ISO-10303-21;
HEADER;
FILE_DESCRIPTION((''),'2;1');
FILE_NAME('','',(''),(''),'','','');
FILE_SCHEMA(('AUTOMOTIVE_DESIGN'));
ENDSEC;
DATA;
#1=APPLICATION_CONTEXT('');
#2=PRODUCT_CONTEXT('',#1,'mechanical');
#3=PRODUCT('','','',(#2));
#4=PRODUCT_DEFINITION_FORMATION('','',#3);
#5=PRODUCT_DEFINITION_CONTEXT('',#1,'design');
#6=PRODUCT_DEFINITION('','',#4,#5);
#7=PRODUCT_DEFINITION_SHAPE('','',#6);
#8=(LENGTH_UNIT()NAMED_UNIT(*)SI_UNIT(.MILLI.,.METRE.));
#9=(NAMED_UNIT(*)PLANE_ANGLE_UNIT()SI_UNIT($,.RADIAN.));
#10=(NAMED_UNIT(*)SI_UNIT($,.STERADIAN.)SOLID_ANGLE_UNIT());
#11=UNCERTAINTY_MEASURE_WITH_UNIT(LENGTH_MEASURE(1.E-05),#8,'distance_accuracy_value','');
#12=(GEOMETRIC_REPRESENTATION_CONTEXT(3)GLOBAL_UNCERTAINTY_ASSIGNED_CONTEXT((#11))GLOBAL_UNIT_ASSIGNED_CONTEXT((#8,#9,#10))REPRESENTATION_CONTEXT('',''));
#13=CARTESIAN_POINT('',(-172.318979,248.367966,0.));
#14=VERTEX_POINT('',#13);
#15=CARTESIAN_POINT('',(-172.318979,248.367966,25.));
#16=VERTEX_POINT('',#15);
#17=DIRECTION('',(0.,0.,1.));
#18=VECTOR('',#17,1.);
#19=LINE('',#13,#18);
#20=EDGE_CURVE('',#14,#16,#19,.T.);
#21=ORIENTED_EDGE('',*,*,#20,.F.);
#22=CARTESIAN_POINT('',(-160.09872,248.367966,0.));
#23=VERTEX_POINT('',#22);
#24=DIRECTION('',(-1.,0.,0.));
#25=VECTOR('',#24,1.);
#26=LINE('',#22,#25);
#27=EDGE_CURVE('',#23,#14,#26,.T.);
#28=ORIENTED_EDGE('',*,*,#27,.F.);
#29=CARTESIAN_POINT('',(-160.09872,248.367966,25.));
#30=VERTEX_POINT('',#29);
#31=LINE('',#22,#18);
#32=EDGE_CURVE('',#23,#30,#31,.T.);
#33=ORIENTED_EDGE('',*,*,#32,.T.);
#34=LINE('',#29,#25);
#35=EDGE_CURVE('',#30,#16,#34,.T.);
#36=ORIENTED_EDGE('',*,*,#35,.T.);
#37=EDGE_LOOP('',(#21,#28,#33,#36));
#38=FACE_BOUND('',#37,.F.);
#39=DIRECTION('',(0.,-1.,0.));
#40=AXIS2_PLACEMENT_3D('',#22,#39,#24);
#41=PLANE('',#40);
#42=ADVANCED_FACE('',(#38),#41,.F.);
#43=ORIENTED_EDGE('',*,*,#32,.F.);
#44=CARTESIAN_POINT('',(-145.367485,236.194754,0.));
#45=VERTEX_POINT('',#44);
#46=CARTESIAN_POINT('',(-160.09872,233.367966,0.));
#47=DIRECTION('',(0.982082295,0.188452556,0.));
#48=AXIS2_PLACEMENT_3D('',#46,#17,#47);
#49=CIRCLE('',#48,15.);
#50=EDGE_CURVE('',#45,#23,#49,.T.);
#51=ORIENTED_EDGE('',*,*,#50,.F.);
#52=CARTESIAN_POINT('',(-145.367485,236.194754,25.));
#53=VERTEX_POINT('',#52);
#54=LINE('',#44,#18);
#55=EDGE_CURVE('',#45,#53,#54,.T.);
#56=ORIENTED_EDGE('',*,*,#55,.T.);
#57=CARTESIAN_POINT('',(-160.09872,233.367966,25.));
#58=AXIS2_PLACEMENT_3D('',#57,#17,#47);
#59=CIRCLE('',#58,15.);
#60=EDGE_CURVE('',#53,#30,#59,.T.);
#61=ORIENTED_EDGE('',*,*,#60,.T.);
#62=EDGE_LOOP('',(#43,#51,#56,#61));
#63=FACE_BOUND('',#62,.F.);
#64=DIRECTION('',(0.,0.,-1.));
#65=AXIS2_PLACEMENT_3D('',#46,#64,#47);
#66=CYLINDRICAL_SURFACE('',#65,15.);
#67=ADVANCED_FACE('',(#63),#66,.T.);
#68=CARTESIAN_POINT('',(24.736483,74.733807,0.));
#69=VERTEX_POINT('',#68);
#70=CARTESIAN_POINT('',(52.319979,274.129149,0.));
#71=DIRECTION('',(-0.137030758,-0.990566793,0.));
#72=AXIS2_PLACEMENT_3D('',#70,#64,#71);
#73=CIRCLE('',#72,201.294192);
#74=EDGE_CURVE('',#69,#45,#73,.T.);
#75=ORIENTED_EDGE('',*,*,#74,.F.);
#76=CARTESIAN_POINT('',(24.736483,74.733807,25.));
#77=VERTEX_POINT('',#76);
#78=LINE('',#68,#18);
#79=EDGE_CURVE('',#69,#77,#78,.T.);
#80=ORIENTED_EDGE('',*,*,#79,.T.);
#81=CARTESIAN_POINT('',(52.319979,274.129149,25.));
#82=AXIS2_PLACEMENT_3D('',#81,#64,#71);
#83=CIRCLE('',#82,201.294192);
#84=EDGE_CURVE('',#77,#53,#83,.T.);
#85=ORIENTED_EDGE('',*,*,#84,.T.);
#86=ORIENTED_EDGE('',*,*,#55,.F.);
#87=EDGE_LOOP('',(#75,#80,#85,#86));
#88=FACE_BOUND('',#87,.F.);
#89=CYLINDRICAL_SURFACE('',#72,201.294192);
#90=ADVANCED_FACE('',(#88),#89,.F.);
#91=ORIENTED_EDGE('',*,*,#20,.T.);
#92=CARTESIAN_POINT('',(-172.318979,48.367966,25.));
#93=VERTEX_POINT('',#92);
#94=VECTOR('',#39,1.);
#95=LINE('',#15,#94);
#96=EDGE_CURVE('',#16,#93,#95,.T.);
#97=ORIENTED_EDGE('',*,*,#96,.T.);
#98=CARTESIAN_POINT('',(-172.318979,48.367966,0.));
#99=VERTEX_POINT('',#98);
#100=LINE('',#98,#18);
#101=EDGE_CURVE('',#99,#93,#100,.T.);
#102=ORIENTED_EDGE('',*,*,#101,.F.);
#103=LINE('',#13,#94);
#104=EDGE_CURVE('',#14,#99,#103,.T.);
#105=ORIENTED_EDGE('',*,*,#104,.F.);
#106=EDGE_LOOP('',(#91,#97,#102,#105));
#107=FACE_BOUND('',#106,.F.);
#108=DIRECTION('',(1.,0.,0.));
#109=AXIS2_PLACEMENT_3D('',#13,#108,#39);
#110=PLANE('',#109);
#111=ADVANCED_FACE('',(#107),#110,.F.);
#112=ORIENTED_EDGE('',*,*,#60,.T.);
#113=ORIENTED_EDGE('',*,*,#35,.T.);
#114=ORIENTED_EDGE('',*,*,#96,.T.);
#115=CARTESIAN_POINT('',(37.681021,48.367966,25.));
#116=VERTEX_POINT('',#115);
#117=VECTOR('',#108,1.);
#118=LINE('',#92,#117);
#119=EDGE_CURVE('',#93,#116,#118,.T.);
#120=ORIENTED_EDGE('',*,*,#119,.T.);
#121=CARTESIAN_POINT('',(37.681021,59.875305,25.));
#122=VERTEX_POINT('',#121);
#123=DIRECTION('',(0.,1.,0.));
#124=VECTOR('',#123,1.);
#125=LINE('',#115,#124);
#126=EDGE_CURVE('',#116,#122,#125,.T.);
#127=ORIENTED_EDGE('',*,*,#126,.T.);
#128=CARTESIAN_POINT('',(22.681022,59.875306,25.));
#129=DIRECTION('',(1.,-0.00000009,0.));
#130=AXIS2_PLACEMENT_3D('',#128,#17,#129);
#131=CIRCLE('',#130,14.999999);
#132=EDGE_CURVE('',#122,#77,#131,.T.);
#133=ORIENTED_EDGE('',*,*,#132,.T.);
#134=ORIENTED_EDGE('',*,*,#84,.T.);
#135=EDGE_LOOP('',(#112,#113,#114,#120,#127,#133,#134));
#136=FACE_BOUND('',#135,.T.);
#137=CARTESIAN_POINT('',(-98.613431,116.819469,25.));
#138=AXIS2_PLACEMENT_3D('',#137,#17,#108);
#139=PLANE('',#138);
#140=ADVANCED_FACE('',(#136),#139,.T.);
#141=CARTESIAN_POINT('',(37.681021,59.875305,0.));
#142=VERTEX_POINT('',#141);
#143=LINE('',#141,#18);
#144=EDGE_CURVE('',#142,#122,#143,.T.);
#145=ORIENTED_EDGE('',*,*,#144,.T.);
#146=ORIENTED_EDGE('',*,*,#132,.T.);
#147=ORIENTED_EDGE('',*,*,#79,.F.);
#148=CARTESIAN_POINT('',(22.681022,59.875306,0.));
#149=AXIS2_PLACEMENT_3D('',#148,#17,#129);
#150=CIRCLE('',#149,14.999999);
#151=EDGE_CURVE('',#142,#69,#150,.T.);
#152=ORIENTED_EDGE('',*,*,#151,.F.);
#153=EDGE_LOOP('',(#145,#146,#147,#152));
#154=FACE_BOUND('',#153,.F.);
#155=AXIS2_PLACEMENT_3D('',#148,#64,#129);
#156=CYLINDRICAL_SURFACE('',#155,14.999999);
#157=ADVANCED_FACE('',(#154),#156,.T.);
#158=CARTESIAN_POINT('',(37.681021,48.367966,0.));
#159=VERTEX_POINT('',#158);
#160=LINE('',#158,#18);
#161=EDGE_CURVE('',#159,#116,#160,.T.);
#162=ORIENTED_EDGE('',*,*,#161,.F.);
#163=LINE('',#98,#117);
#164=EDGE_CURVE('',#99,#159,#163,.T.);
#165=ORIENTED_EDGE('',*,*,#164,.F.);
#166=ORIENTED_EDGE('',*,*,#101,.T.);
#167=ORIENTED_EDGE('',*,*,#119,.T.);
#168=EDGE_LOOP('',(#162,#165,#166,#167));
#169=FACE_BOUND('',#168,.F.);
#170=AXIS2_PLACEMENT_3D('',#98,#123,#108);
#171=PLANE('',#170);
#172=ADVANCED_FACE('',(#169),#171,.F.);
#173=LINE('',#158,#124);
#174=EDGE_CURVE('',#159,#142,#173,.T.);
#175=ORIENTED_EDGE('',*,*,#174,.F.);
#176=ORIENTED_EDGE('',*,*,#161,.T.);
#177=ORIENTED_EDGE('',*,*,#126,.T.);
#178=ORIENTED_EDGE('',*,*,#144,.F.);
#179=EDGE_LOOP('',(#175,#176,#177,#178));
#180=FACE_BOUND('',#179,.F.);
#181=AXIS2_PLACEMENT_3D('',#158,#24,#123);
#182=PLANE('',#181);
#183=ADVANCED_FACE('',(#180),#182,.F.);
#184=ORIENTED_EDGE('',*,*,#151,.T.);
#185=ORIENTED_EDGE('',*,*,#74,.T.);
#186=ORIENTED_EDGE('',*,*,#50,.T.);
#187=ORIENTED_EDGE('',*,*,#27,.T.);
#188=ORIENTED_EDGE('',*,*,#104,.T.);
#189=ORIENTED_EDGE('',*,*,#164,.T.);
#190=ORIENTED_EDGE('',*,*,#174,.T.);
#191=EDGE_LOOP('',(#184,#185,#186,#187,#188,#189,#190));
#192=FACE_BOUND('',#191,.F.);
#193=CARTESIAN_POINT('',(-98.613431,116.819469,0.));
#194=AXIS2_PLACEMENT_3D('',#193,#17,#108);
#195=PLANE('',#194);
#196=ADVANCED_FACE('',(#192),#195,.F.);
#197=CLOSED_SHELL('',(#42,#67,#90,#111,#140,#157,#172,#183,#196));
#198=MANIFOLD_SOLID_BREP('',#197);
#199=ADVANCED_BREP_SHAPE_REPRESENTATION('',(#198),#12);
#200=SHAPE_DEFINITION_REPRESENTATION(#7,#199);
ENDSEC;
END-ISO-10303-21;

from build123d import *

# Parameters (mm, degrees)
F1_DEPTH = 25


with BuildPart() as f1:
    # F0 (on Top) → F1 (new body)
    with BuildSketch(Plane.XY):
        with BuildLine():
            Line((-160.09872, 248.367966), (-172.318979, 248.367966))
            Line((-172.318979, 248.367966), (-172.318979, 48.367966))
            Line((-172.318979, 48.367966), (37.681021, 48.367966))
            Line((37.681021, 48.367966), (37.681021, 59.875305))
            ThreePointArc((37.681021, 59.875305), (33.991015, 69.728429), (24.736483, 74.733807))
            ThreePointArc((24.736483, 74.733807), (-86.259099, 128.13192), (-145.367485, 236.194754))
            ThreePointArc((-145.367485, 236.194754), (-150.543664, 244.930877), (-160.09872, 248.367966))
        make_face()
    extrude(amount=F1_DEPTH)


solid = f1.part
